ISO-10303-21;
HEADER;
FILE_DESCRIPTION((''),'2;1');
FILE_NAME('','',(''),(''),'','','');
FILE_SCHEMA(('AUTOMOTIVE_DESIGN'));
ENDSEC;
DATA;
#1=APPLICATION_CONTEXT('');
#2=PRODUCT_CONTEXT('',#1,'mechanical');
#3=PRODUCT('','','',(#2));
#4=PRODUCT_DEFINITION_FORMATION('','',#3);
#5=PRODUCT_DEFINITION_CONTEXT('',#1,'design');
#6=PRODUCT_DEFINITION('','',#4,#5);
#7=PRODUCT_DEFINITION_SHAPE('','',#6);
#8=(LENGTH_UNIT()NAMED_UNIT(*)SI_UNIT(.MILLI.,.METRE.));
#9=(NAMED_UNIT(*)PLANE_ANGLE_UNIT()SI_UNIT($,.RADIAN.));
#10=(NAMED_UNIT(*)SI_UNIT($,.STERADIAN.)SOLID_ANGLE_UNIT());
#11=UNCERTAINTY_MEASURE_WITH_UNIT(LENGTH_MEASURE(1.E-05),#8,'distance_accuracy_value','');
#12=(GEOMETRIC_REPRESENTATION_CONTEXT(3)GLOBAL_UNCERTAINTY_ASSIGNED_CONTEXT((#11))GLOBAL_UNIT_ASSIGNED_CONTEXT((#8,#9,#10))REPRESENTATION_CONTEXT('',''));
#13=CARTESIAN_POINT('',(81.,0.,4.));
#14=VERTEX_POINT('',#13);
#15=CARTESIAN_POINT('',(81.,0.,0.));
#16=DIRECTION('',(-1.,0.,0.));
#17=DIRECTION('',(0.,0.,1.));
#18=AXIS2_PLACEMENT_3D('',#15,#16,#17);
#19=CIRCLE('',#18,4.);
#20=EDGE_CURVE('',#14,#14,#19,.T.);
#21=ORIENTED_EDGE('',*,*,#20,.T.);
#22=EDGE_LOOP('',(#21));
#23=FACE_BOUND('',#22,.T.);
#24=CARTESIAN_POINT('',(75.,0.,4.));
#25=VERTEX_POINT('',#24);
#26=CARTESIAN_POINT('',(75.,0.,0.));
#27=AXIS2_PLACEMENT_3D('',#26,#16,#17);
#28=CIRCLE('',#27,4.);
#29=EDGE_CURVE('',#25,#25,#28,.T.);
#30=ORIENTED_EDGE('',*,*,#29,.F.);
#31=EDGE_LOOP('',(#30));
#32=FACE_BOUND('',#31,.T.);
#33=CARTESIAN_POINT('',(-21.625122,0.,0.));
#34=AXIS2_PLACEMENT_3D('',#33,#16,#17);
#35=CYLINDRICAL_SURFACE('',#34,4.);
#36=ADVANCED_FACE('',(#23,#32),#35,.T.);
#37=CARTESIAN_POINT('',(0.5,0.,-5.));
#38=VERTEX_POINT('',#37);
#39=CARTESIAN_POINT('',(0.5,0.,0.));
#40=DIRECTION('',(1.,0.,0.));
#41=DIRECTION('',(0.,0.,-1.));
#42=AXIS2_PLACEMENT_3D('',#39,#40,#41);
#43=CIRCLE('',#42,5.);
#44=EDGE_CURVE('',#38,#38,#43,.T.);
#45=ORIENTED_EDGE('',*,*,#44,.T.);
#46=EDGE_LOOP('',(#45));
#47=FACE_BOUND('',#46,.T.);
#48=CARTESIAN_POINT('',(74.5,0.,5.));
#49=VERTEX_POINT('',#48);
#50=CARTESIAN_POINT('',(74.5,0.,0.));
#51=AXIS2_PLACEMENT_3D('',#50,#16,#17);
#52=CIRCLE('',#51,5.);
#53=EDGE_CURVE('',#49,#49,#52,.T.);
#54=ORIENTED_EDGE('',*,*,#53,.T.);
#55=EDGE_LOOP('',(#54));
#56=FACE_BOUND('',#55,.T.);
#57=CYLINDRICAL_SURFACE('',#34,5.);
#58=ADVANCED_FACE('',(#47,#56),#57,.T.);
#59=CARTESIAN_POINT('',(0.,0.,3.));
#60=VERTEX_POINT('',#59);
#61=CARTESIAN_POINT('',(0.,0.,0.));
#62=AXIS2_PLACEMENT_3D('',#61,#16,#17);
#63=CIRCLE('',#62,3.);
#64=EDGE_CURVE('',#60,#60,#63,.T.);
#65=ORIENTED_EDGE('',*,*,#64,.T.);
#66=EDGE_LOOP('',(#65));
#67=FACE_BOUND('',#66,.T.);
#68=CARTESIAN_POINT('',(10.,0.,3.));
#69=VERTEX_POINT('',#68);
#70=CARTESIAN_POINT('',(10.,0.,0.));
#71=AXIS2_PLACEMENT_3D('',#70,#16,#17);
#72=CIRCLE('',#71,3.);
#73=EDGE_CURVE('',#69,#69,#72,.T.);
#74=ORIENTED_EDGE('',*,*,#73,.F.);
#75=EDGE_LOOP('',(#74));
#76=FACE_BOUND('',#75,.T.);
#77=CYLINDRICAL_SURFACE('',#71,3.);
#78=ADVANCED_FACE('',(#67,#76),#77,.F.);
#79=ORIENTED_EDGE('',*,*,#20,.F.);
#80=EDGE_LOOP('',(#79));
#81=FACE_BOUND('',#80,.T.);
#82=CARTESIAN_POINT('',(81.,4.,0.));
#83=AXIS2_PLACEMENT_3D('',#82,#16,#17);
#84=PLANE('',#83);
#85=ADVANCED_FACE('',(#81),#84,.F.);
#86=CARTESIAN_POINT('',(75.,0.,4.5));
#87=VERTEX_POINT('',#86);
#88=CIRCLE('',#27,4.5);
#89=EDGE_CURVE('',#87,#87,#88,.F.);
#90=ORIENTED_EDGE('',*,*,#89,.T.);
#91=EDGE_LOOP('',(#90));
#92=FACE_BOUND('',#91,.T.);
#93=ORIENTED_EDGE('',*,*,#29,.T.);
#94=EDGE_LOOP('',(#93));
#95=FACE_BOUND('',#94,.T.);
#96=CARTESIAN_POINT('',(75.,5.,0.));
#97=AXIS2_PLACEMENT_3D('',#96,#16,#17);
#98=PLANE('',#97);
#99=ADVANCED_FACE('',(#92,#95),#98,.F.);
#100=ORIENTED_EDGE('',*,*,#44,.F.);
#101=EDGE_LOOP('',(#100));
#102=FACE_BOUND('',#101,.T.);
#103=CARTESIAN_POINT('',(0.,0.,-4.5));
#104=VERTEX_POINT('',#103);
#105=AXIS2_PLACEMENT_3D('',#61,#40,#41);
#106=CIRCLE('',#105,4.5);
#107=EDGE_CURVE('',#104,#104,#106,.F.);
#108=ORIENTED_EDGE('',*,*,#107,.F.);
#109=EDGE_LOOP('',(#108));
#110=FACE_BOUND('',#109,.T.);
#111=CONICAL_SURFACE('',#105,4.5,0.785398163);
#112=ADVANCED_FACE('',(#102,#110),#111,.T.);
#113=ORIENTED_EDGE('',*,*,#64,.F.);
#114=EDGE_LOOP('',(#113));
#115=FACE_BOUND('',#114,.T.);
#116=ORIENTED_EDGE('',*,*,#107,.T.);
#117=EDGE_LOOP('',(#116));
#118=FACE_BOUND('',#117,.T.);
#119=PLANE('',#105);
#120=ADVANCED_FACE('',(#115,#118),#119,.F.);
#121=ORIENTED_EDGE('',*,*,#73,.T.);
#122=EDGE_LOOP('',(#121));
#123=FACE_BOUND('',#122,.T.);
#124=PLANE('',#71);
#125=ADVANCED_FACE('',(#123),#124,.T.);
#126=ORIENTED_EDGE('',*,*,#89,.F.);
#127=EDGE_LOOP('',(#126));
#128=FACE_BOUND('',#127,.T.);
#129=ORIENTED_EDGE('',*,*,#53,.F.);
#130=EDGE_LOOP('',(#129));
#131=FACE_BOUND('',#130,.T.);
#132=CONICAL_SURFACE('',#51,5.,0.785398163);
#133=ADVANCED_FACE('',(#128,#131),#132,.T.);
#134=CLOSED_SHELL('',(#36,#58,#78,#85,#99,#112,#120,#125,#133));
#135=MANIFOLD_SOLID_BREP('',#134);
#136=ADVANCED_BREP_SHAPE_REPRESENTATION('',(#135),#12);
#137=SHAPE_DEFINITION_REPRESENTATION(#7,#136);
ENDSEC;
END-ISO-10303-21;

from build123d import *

# Parameters (mm, degrees)
CHAMFER1_SIZE      = 0.5
SKETCH6_R          = 3
CUT_EXTRUDE1_DEPTH = 10


with BuildPart() as part:
    # Sketch1 → Revolve1 (revolve)
    with BuildSketch(Plane.XY, mode=Mode.PRIVATE) as revolve1_sk:
        Polygon((0, 0), (0, 5), (75, 5), (75, 4), (81, 4), (81, 0), align=None)
    revolve(revolve1_sk.sketch.rotate(Axis((-21.625122332, 0, 0), (1, 0, 0)), 90), axis=Axis((-21.625122332, 0, 0), (1, 0, 0)))

    # Chamfer1
    chamfer1_edges = [part.edges().sort_by_distance(p)[0] for p in [
        (75, 0, -5),
        (0, 0, -5),
    ]]
    chamfer(chamfer1_edges, length=CHAMFER1_SIZE)

    # Sketch6 → Cut-Extrude1 (cut)
    with BuildSketch(Plane.ZY):
        Circle(SKETCH6_R)
    extrude(amount=-CUT_EXTRUDE1_DEPTH, mode=Mode.SUBTRACT)


solid = part.part
